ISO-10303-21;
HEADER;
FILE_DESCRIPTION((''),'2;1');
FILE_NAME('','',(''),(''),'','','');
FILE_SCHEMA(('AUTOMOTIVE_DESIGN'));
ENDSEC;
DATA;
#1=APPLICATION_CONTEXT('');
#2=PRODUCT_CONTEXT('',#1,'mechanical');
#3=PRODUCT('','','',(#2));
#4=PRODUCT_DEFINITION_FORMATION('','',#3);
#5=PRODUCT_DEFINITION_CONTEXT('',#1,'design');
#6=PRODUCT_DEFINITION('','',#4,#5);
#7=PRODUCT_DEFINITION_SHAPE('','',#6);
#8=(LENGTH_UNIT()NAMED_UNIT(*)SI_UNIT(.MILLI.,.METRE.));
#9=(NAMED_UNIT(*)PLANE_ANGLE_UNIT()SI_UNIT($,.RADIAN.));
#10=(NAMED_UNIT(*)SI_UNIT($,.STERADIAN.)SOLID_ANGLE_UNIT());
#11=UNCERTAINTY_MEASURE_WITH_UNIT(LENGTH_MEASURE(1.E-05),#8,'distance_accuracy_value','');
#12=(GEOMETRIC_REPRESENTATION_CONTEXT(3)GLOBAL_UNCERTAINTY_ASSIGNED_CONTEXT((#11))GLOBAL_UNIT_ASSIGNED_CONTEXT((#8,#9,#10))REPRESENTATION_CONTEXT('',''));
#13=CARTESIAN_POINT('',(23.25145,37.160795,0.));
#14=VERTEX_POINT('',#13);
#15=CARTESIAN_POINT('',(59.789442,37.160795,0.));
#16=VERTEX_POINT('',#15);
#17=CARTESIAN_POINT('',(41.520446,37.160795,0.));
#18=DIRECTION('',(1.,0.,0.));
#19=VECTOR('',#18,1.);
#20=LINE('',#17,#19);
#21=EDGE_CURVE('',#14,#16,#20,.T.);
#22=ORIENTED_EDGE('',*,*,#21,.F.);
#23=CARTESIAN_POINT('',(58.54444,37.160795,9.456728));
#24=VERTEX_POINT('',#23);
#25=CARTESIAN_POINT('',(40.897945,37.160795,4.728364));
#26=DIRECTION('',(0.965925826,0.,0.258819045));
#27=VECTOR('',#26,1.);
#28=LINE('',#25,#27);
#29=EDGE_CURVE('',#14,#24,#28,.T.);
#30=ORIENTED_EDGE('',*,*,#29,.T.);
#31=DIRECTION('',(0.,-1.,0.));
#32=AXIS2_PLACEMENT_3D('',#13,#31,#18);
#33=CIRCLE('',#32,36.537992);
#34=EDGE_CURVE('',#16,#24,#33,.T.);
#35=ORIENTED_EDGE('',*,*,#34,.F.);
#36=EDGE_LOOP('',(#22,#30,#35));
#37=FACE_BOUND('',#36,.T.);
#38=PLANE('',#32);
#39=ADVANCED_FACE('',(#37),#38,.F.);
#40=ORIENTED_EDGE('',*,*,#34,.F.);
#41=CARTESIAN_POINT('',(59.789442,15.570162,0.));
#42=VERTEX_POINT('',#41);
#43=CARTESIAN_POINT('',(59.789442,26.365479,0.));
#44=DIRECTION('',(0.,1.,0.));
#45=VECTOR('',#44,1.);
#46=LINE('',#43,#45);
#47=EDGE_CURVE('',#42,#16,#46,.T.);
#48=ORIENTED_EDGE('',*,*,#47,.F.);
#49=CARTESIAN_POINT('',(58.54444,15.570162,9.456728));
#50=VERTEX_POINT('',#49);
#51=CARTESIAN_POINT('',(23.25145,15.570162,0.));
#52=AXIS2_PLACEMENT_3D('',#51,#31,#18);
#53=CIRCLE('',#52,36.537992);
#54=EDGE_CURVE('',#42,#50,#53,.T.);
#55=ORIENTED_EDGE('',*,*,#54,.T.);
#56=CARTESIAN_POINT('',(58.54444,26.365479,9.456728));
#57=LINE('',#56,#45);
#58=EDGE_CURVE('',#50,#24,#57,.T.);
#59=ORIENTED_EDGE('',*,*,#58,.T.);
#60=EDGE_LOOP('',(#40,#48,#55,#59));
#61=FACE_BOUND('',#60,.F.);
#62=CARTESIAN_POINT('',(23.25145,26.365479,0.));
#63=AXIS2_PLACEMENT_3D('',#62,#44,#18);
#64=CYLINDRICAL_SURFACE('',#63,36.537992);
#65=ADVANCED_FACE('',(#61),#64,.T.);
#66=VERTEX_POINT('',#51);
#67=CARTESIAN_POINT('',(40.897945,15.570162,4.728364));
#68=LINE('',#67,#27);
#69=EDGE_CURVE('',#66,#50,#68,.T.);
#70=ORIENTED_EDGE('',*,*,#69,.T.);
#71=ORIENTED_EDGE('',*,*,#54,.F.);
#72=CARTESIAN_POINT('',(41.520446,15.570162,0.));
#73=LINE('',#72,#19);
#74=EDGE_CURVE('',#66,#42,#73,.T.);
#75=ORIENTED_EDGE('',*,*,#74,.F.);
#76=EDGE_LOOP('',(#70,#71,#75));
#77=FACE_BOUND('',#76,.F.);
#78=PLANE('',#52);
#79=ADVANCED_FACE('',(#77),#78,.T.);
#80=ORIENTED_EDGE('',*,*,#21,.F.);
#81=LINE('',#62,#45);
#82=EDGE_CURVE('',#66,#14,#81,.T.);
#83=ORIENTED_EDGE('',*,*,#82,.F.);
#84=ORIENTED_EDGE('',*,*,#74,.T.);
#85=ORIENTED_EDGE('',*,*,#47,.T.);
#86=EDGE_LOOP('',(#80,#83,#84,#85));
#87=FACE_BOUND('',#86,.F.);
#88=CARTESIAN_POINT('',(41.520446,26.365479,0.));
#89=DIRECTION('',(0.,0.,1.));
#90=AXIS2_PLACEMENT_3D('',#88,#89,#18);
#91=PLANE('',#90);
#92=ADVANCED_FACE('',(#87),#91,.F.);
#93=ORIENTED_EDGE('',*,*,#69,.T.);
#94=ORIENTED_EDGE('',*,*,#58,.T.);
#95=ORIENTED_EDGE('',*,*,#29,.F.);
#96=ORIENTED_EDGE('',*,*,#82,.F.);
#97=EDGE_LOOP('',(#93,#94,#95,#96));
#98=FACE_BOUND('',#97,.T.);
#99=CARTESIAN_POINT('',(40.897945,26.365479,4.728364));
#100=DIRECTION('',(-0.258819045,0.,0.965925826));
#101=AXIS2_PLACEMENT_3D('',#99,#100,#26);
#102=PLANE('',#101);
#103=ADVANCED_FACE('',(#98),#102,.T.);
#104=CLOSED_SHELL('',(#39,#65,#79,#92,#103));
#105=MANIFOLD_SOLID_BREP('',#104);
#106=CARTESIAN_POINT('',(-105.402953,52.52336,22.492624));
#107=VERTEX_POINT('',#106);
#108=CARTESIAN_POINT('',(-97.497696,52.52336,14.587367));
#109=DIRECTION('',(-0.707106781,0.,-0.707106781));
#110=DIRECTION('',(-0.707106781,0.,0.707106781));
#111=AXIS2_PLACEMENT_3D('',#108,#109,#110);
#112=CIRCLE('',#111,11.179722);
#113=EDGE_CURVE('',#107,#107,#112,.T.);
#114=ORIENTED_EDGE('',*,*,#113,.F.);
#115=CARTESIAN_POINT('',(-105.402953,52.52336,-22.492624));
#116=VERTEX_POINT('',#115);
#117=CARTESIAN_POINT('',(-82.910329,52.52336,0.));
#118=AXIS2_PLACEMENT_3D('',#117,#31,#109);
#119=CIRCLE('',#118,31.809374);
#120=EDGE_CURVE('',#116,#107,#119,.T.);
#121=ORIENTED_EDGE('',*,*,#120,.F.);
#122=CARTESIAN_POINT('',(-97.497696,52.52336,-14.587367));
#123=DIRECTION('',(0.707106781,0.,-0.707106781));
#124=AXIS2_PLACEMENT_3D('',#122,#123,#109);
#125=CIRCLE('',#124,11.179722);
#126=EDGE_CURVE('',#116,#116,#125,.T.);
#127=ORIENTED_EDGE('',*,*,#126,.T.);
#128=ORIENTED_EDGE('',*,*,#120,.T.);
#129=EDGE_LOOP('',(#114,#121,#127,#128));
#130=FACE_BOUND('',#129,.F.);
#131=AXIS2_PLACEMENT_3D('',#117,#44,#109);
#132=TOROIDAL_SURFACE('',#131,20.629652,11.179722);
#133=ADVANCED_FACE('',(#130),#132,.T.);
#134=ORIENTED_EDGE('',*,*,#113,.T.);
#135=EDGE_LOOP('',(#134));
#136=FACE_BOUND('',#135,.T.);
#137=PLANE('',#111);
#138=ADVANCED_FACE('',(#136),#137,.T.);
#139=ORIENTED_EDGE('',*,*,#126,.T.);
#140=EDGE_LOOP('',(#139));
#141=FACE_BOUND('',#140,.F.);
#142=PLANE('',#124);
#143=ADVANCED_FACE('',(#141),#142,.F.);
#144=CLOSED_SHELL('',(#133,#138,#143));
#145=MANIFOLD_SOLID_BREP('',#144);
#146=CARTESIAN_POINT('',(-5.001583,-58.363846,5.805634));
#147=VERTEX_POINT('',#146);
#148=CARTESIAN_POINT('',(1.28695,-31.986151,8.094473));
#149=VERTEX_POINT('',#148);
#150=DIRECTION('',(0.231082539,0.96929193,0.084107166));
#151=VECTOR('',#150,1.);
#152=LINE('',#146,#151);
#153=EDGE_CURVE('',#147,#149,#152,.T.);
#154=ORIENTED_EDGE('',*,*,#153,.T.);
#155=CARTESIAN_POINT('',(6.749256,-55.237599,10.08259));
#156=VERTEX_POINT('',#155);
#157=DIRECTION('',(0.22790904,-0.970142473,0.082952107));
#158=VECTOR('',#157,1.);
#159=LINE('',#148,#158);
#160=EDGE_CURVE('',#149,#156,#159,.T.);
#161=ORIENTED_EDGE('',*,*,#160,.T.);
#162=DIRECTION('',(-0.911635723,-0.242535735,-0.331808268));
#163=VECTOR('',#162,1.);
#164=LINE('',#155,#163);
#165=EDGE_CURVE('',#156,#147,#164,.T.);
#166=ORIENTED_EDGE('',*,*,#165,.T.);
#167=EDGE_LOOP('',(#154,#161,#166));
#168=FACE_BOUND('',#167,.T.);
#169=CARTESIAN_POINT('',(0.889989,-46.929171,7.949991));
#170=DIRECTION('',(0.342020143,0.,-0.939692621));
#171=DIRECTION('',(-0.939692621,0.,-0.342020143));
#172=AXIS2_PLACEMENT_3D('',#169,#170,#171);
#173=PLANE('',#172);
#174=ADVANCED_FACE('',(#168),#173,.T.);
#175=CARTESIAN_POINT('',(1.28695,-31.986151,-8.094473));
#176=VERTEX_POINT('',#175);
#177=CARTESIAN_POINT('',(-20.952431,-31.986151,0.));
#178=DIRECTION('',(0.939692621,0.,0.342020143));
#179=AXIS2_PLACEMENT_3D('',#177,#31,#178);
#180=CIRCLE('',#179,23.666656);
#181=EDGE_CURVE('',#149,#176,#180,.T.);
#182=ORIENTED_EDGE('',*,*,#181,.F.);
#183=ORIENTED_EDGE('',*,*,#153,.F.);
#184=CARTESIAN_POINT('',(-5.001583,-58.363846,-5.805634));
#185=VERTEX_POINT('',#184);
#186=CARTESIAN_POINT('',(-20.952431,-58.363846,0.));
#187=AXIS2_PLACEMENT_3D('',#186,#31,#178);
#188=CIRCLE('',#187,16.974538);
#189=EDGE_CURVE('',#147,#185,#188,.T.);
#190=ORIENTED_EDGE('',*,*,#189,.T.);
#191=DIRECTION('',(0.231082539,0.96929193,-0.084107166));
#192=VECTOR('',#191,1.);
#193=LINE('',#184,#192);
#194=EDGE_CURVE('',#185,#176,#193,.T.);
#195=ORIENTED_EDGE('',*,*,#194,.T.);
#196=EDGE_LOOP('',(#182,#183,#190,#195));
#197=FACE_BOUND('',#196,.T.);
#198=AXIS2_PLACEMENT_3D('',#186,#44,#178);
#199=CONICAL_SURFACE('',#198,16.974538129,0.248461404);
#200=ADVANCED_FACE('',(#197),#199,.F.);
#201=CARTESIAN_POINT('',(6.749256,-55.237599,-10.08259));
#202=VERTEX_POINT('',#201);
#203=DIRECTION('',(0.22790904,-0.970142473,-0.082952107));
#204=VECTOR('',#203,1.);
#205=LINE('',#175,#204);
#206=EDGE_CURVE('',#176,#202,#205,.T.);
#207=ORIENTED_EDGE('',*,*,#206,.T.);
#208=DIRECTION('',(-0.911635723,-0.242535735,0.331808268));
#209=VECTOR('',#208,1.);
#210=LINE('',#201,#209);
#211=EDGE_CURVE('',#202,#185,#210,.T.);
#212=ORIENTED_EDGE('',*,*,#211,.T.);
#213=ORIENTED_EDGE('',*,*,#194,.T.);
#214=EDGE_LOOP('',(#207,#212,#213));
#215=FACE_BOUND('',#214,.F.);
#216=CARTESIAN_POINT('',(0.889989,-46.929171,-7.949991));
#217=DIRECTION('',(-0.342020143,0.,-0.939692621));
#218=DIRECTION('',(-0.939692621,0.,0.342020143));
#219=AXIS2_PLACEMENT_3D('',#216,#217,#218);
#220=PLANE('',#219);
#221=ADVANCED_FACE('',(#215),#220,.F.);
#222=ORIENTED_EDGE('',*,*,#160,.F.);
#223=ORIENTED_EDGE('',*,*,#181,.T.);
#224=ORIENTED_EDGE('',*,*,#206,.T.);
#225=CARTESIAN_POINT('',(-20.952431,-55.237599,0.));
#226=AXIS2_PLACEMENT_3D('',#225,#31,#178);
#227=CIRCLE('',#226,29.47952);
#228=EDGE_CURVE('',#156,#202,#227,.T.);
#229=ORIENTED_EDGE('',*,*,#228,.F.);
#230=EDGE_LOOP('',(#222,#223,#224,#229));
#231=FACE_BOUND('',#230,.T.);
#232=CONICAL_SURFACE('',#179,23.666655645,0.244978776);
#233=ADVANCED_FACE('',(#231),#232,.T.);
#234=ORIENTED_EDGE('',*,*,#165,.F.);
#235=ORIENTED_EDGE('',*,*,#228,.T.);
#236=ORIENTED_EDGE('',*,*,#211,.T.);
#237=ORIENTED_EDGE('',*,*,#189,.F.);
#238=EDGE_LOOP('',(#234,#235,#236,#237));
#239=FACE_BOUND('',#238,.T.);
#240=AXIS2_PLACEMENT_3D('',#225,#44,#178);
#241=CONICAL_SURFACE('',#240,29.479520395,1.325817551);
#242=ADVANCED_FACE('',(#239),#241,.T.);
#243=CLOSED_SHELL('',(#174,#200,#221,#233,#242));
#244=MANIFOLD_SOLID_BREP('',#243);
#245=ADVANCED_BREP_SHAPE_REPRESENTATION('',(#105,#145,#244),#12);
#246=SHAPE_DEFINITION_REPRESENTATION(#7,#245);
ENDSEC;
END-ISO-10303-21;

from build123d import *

# Parameters (mm, degrees)
F0_W          = 36.5379918367
F0_H          = 21.5906333178
F1_ANGLE      = 15
F0_R          = 11.1797222355
F2_ANGLE_BACK = 135
F2_ANGLE      = 270
F3_ANGLE_BACK = 160
F3_ANGLE      = 320


with BuildPart() as f1:
    # F0 (on Top) → F1 (revolve)
    with BuildSketch(Plane.XY):
        with Locations((41.5204456076, 26.3654785231)):
            Rectangle(F0_W, F0_H)
    revolve(axis=Axis((23.2514496893, 26.3654785231, 0), (0, -1, 0)), revolution_arc=F1_ANGLE)


with BuildPart() as f2:
    # F0 (on Top) → F2 (revolve)
    with BuildSketch(Plane.XY, mode=Mode.PRIVATE) as f2_sk:
        with Locations((-62.280677259, 52.5233596563)):
            Circle(F0_R)
    revolve(f2_sk.sketch.rotate(Axis((-82.9103291035, 50.9820729494, 0), (0, -1, 0)), -F2_ANGLE_BACK), axis=Axis((-82.9103291035, 50.9820729494, 0), (0, -1, 0)), revolution_arc=F2_ANGLE)


with BuildPart() as f3:
    # F0 (on Top) → F3 (revolve)
    with BuildSketch(Plane.XY, mode=Mode.PRIVATE) as f3_sk:
        Polygon((-37.9269696142, -58.3638457864), (-44.6190871298, -31.9861508906), (-50.4319518805, -55.2375987172), align=None)
    revolve(f3_sk.sketch.rotate(Axis((-20.9524314851, -46.1031068116, 0), (0, -1, 0)), -F3_ANGLE_BACK), axis=Axis((-20.9524314851, -46.1031068116, 0), (0, -1, 0)), revolution_arc=F3_ANGLE)


solid = Compound([f1.part, f2.part, f3.part])
